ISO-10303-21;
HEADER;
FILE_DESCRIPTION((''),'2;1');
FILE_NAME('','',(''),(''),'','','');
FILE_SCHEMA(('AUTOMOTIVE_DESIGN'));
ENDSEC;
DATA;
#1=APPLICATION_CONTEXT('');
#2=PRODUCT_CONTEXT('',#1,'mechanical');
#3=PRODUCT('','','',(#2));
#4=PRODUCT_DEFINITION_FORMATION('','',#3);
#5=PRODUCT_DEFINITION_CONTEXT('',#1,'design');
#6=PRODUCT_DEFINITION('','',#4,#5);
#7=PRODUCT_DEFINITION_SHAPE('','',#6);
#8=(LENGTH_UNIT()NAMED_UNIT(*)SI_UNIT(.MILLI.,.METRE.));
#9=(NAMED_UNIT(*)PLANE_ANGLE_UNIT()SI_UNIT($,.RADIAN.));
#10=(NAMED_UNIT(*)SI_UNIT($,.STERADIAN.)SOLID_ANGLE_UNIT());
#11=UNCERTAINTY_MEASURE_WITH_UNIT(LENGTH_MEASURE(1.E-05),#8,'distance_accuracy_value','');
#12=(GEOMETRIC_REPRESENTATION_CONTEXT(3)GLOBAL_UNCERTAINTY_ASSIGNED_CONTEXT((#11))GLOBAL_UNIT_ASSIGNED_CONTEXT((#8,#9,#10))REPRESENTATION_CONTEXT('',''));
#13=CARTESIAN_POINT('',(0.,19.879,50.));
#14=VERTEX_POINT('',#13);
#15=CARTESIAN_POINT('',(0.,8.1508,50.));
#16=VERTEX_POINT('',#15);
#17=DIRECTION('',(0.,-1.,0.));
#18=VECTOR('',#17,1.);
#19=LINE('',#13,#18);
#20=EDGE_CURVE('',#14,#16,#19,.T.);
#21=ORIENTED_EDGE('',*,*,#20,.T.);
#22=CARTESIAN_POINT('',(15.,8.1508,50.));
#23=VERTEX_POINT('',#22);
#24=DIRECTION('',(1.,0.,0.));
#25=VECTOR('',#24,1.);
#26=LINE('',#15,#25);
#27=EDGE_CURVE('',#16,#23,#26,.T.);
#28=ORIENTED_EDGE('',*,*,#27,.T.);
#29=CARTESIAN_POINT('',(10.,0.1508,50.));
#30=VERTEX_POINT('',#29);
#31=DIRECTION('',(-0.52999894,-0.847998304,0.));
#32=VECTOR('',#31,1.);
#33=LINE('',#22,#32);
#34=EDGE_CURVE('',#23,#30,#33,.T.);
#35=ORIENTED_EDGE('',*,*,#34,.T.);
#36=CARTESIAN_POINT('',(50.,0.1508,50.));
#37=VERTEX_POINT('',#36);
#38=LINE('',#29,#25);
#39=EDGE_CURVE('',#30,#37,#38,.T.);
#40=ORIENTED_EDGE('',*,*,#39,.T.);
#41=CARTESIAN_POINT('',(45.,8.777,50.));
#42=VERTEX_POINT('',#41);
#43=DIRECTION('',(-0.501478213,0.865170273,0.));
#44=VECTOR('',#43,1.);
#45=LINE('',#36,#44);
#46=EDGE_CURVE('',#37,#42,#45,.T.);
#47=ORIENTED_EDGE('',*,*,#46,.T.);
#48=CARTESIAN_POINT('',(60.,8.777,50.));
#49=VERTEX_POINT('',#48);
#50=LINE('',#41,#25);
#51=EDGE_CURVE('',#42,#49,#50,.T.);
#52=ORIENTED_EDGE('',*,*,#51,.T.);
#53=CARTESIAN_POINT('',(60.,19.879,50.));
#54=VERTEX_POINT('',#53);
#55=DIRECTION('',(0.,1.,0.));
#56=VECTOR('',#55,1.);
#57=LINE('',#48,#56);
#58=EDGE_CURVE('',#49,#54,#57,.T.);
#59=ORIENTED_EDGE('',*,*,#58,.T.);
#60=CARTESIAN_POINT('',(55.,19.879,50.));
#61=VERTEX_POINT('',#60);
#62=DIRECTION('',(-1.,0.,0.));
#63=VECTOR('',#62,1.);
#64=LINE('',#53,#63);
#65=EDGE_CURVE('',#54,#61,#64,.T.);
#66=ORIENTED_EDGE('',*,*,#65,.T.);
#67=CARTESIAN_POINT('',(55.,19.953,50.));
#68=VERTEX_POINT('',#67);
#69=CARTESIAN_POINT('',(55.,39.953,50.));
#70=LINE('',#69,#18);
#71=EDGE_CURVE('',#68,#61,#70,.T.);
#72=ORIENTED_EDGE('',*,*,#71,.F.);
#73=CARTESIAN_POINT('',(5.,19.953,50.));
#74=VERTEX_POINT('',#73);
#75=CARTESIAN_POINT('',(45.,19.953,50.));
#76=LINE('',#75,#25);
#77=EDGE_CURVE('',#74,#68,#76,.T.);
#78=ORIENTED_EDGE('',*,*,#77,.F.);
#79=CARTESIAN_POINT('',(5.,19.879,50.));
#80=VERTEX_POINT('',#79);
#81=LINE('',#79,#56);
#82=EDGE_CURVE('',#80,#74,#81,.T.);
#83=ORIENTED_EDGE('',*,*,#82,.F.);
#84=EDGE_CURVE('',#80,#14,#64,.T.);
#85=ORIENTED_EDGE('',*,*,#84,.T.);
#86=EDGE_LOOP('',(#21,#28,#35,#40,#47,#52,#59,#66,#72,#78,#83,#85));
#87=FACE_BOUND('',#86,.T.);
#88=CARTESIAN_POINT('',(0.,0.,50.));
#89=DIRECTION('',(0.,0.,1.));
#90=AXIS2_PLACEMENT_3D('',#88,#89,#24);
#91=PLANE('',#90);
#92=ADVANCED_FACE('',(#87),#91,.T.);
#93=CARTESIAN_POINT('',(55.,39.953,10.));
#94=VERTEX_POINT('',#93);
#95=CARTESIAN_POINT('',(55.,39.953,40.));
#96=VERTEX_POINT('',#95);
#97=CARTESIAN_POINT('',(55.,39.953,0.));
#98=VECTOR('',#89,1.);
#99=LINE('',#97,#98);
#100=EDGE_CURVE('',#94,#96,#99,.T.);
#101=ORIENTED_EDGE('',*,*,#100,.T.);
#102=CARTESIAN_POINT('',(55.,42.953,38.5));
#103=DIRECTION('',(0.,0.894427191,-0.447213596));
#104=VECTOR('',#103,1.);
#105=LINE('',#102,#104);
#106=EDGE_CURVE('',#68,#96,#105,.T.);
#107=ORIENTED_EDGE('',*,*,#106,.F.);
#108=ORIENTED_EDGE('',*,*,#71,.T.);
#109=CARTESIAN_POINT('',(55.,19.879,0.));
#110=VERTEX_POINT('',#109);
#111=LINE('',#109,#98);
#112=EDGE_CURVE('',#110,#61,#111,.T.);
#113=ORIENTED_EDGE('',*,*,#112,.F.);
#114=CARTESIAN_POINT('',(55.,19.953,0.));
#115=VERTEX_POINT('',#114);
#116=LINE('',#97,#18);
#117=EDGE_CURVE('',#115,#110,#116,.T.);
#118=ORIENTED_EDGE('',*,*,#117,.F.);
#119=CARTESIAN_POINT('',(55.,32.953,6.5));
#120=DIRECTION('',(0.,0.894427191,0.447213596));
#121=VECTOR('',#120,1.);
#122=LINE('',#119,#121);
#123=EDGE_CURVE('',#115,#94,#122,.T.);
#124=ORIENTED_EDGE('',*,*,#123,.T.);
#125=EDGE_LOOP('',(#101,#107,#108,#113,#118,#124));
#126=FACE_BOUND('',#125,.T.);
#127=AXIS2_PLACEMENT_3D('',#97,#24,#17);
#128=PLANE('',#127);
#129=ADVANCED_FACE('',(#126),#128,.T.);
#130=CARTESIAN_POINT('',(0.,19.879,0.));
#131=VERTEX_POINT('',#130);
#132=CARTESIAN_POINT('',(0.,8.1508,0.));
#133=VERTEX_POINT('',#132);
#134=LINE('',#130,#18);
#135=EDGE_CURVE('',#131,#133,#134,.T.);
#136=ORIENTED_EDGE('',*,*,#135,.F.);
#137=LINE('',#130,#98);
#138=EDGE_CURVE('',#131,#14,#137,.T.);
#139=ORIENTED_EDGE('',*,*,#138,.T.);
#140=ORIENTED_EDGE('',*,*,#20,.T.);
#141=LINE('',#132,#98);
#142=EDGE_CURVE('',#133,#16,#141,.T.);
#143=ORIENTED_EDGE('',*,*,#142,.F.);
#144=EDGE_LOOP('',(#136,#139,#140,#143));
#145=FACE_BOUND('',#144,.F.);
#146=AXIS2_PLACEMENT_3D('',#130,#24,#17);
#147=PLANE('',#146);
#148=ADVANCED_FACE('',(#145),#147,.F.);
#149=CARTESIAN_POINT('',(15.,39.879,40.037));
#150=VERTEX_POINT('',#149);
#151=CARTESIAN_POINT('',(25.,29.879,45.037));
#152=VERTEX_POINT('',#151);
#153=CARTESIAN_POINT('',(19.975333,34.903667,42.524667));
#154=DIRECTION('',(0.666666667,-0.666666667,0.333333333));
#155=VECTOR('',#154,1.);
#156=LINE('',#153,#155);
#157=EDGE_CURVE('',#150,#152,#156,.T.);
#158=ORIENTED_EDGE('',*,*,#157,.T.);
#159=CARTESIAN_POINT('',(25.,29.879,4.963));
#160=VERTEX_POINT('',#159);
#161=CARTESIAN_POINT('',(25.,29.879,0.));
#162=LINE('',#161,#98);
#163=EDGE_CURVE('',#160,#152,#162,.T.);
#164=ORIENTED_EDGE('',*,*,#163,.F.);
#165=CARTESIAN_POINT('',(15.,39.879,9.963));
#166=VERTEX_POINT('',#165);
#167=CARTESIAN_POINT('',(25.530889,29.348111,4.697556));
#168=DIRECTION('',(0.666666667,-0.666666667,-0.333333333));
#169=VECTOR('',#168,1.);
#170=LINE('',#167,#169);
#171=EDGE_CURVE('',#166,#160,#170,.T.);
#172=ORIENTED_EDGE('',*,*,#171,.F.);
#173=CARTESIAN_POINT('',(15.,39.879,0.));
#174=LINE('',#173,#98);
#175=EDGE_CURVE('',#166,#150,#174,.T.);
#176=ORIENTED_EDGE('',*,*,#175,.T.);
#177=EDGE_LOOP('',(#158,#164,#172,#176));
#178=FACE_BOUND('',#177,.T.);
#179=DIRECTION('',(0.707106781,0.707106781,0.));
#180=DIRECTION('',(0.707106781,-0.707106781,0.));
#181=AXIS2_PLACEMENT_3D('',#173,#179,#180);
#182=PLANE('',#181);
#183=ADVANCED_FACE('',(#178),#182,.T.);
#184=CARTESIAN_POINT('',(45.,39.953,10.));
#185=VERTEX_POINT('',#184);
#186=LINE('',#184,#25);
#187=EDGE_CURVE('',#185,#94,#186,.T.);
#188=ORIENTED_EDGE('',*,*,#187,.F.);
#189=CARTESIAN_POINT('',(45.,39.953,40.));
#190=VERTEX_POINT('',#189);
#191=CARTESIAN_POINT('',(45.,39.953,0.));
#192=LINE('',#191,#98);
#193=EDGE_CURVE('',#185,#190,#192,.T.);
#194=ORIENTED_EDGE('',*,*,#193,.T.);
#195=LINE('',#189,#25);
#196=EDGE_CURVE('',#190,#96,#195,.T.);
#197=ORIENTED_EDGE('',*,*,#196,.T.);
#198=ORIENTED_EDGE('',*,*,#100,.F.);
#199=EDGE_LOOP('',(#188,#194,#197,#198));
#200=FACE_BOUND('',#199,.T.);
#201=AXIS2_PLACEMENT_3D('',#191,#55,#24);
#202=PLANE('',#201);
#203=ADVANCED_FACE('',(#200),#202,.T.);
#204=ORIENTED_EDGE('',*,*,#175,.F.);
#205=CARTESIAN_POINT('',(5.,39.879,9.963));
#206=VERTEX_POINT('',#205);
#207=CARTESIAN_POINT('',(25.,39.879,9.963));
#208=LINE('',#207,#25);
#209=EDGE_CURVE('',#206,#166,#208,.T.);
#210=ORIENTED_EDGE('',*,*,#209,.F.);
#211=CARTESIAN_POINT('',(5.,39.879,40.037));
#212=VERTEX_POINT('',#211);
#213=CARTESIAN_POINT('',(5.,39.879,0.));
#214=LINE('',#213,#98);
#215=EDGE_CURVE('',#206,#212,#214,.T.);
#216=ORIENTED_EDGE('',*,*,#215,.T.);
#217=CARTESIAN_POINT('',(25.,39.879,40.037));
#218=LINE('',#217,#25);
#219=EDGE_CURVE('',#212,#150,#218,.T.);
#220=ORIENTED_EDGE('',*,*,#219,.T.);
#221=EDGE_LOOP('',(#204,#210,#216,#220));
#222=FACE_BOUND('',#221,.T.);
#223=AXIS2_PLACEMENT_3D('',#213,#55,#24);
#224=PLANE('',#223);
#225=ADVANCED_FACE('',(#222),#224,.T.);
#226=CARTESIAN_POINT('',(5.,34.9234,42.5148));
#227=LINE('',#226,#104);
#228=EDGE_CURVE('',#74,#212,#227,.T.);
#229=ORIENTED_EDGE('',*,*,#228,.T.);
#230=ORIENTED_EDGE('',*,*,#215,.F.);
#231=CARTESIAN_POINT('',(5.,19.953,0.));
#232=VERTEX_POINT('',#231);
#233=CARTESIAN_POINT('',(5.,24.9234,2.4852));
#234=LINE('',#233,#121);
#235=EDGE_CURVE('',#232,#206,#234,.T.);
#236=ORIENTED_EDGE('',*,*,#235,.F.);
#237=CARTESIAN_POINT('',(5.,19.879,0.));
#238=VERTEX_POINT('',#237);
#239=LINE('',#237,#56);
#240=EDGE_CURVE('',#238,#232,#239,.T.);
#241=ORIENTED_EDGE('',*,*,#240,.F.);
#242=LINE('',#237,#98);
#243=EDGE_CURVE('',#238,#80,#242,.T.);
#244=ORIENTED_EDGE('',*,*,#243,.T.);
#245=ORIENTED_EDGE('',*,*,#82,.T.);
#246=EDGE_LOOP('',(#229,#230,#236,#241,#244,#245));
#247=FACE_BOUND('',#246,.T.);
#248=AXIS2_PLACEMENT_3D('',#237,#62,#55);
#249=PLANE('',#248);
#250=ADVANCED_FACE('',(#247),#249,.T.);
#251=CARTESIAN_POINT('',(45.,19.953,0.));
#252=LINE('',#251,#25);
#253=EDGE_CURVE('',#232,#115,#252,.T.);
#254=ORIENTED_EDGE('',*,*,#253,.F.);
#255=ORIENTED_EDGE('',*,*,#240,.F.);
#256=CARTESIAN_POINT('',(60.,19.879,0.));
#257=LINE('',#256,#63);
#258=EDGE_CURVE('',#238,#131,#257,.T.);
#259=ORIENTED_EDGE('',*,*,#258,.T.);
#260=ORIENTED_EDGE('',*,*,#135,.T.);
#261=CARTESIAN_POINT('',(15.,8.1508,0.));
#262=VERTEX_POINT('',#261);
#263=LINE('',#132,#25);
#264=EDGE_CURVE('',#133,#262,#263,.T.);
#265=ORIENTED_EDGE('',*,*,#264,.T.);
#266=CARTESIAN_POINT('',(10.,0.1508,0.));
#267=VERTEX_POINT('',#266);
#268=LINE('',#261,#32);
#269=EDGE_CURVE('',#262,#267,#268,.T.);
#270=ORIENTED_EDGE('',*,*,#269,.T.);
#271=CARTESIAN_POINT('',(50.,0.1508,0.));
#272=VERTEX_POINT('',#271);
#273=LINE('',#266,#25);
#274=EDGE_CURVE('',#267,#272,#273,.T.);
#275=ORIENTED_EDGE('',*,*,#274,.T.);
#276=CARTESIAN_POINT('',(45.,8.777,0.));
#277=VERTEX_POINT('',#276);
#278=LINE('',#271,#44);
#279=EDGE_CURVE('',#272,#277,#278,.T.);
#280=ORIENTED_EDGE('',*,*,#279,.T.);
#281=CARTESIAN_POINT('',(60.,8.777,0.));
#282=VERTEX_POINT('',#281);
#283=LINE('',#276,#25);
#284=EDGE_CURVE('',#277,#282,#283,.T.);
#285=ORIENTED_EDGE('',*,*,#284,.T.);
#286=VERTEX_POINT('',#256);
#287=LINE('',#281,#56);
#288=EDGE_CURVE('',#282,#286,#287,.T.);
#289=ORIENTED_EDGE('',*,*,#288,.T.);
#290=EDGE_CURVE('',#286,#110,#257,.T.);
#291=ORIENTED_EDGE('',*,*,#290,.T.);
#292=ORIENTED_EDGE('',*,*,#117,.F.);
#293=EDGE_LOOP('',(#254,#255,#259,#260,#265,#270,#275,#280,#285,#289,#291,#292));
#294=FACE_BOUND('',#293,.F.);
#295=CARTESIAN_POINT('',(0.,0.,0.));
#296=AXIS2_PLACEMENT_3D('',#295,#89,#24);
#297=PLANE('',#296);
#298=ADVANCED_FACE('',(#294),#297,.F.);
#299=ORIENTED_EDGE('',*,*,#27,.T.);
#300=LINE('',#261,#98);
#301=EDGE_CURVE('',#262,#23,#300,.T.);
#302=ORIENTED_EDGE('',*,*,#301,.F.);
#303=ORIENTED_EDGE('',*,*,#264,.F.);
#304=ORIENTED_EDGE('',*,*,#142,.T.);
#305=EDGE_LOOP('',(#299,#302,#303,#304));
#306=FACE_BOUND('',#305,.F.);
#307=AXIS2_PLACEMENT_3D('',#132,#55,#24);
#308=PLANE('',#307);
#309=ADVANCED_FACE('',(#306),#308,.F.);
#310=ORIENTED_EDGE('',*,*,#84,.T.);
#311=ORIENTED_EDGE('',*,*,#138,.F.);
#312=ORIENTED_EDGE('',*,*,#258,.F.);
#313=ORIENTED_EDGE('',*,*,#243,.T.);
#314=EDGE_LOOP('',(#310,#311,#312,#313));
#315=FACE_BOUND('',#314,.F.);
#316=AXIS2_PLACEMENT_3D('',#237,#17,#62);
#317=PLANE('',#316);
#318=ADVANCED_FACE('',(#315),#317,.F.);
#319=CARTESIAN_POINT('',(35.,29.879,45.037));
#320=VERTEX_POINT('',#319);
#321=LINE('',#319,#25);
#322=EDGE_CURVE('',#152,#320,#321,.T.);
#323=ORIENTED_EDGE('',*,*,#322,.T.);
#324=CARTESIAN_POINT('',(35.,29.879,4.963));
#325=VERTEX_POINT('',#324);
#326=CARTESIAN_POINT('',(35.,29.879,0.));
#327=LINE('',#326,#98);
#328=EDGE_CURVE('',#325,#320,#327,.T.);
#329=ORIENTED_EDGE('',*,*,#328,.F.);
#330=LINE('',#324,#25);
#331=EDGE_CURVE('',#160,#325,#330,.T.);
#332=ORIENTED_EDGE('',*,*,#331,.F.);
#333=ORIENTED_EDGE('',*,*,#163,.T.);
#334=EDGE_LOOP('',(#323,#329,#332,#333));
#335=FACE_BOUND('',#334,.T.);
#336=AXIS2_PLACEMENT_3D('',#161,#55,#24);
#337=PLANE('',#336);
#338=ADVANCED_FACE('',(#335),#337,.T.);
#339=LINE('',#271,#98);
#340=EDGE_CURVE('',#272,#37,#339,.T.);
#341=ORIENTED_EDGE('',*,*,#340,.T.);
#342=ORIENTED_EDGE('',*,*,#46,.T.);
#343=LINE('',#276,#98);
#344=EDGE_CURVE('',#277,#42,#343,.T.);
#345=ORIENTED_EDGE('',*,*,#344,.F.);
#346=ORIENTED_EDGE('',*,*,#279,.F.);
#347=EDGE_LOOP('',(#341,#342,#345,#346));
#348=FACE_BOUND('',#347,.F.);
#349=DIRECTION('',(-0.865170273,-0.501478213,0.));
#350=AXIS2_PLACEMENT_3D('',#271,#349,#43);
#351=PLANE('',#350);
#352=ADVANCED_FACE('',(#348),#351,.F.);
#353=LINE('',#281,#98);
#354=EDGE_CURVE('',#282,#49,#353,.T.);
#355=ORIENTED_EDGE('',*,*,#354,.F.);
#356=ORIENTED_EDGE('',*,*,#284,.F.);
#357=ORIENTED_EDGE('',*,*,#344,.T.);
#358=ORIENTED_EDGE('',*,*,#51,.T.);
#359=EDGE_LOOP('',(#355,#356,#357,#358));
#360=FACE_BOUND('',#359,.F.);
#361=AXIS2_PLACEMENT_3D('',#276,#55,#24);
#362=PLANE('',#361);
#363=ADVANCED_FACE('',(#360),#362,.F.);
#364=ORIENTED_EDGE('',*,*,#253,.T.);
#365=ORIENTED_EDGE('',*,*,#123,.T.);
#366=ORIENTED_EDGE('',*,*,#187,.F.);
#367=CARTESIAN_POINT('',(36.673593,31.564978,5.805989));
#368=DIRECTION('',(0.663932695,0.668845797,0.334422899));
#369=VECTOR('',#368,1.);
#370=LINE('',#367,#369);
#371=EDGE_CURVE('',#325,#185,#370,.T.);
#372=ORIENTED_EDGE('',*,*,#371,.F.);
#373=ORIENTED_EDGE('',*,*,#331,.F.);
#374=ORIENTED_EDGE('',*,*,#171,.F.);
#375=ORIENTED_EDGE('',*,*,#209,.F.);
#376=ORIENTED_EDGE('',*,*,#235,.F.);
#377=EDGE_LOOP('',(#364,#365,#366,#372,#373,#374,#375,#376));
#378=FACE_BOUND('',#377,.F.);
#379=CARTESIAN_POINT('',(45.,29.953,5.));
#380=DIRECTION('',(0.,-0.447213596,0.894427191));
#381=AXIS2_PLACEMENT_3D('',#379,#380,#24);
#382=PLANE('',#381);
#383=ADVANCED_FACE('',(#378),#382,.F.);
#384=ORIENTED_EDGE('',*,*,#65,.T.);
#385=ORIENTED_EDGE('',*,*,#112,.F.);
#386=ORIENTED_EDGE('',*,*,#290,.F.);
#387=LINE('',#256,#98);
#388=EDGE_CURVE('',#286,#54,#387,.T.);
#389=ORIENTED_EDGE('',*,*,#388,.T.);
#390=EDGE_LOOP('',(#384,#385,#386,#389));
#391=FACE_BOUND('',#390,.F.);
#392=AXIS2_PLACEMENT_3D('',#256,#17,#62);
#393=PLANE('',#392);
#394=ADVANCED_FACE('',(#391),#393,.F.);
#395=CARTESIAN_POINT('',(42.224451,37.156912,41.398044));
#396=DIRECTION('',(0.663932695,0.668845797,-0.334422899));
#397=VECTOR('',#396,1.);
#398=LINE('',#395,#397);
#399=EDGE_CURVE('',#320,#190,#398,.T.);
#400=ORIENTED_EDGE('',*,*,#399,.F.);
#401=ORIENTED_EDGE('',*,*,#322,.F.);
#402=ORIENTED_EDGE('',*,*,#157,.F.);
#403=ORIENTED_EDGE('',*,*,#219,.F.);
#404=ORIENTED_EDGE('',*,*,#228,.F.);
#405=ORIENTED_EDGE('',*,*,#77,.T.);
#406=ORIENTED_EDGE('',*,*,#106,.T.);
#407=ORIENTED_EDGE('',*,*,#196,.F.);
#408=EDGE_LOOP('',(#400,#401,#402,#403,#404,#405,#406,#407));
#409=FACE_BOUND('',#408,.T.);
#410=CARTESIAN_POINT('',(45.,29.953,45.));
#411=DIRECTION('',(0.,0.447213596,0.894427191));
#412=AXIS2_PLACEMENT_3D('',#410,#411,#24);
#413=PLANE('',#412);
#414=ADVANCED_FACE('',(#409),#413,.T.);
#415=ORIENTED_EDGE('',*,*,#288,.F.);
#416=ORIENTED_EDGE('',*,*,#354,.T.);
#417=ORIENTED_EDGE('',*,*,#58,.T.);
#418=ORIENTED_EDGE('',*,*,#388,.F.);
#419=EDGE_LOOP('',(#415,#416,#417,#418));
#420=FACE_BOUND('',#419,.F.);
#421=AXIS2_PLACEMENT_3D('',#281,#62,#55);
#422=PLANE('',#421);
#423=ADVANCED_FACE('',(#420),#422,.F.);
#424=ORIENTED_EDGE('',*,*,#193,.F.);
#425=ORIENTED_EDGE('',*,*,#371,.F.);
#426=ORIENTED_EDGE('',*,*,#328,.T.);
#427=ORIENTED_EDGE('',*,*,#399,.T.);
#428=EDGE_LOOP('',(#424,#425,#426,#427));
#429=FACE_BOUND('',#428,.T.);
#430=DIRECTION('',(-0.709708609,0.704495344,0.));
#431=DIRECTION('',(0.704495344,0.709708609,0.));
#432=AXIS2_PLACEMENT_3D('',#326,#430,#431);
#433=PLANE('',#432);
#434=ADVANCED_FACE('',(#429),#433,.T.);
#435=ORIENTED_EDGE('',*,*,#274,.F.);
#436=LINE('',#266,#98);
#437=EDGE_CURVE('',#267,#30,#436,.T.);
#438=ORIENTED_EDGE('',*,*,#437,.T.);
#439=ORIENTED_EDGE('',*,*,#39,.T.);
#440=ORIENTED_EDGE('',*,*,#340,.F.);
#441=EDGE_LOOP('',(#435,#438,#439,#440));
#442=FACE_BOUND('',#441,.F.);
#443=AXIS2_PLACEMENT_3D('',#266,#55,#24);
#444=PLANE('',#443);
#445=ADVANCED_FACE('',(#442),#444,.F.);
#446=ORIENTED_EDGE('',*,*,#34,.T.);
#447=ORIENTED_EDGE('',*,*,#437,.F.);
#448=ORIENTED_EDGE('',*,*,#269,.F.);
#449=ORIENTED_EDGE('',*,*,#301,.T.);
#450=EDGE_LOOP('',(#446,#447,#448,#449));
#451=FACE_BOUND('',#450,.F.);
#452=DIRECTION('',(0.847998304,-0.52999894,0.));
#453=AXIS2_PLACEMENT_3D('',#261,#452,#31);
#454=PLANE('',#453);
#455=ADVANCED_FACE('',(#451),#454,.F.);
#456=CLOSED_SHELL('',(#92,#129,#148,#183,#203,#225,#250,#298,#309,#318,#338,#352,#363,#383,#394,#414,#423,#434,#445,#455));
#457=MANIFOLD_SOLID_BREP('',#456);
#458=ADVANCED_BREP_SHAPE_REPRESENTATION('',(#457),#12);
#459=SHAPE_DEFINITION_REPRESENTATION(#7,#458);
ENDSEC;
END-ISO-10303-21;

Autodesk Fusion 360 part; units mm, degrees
sketch "Front View" plane through (0, 0, 0) normal (0, 0, 1) x (1, 0, 0)
  line L0 (0, 19.879) -> (0, 8.1508)
  line L1 (0, 8.1508) -> (15, 8.1508)
  line L2 (15, 8.1508) -> (10, 0.1508)
  line L3 (10, 0.1508) -> (50, 0.1508)
  line L4 (50, 0.1508) -> (45, 8.777)
  line L5 (45, 8.777) -> (60, 8.777)
  line L6 (60, 8.777) -> (60, 19.879)
  line L7 (60, 19.879) -> (0, 19.879)
  line L8 (5, 19.879) -> (5, 39.879)
  line L9 (5, 39.879) -> (15, 39.879)
  line L10 (25, 29.879) -> (35, 29.879)
  line L11 (45, 39.953) -> (55, 39.953)
  line L12 (55, 39.953) -> (55, 19.879)
  line L13 (15, 39.879) -> (25, 29.879)
  line L14 (35, 29.879) -> (45, 39.953)
  dimension "d1" = 8
  dimension "d2" = 11.7282
  dimension "d3" = 10
  dimension "d4" = 40
  dimension "d5" = 30
  dimension "d6" = 20
  dimension "d7" = 60
  dimension "d8" = 5
  dimension "d9" = 5
  dimension "d10" = 10
  dimension "d11" = 10
  dimension "d12" = 10
  dimension "d13" = 10
  dimension "d14" = 10
  dimension "d16" = 10
  dimension "d17" = 5
extrude "Extrude1" add sketch "Front View" along normal blind 50 contours L0 L1 L2 L3 L4 L5 L6 L7
sketch "Side View" plane through (0, 0, 0) normal (1, 0, 0) x (0, 0, -1)
  line L0 (-50.0346, 20.0445) -> (-40.0346, 38.5513)
  line L1 (-27, 38.5513) -> (-40.0346, 38.5513)
  line L2 (-27, 38.5513) -> (-10.0346, 38.5513)
  line L3 (-0.0346, 20.0445) -> (-10.0346, 38.5513)
  line L4 (-50.0346, 20.0445) -> (-0.0346, 20.0445)
  line L5 (-50.0346, 20.0445) -> (-0.0346, 20.0445)
  line L6 (-0.0346, 20.0445) -> (-0.0346, 8.0445)
  line L7 (-0.0346, 8.0445) -> (-50.0346, 8.0445)
  line L8 (-50.0346, 8.0445) -> (-50.0346, 20.0445)
  line L9 (-50.0346, 8.0445) -> (-0.0346, 8.0445)
  line L10 (-0.0346, 8.0445) -> (-0.0346, 0.0445)
  line L11 (-0.0346, 0.0445) -> (-50.0346, 0.0445)
  line L12 (-50.0346, 0.0445) -> (-50.0346, 8.0445)
  dimension "d32" = 12
  dimension "d33" = 50
  dimension "d34" = 50
  dimension "d35" = 8
  dimension "d36" = 30
  dimension "d37" = 10
  dimension "d38" = 10
extrude "Extrude4" add sketch "Front View" along normal blind 50 contours L7 L8 L9 L10 L11 L12 L13 L14
chamfer "Chamfer2" distance 20 distance2 10 1 edges at (50, 39.953, 0) measured on face at (28.3333, 15.6022, 0)
chamfer "Chamfer3" distance 20 distance2 10 1 edges at (50, 39.953, 50) measured on face at (28.3333, 15.6022, 50)
extrude "Extrude3" [suppressed]
